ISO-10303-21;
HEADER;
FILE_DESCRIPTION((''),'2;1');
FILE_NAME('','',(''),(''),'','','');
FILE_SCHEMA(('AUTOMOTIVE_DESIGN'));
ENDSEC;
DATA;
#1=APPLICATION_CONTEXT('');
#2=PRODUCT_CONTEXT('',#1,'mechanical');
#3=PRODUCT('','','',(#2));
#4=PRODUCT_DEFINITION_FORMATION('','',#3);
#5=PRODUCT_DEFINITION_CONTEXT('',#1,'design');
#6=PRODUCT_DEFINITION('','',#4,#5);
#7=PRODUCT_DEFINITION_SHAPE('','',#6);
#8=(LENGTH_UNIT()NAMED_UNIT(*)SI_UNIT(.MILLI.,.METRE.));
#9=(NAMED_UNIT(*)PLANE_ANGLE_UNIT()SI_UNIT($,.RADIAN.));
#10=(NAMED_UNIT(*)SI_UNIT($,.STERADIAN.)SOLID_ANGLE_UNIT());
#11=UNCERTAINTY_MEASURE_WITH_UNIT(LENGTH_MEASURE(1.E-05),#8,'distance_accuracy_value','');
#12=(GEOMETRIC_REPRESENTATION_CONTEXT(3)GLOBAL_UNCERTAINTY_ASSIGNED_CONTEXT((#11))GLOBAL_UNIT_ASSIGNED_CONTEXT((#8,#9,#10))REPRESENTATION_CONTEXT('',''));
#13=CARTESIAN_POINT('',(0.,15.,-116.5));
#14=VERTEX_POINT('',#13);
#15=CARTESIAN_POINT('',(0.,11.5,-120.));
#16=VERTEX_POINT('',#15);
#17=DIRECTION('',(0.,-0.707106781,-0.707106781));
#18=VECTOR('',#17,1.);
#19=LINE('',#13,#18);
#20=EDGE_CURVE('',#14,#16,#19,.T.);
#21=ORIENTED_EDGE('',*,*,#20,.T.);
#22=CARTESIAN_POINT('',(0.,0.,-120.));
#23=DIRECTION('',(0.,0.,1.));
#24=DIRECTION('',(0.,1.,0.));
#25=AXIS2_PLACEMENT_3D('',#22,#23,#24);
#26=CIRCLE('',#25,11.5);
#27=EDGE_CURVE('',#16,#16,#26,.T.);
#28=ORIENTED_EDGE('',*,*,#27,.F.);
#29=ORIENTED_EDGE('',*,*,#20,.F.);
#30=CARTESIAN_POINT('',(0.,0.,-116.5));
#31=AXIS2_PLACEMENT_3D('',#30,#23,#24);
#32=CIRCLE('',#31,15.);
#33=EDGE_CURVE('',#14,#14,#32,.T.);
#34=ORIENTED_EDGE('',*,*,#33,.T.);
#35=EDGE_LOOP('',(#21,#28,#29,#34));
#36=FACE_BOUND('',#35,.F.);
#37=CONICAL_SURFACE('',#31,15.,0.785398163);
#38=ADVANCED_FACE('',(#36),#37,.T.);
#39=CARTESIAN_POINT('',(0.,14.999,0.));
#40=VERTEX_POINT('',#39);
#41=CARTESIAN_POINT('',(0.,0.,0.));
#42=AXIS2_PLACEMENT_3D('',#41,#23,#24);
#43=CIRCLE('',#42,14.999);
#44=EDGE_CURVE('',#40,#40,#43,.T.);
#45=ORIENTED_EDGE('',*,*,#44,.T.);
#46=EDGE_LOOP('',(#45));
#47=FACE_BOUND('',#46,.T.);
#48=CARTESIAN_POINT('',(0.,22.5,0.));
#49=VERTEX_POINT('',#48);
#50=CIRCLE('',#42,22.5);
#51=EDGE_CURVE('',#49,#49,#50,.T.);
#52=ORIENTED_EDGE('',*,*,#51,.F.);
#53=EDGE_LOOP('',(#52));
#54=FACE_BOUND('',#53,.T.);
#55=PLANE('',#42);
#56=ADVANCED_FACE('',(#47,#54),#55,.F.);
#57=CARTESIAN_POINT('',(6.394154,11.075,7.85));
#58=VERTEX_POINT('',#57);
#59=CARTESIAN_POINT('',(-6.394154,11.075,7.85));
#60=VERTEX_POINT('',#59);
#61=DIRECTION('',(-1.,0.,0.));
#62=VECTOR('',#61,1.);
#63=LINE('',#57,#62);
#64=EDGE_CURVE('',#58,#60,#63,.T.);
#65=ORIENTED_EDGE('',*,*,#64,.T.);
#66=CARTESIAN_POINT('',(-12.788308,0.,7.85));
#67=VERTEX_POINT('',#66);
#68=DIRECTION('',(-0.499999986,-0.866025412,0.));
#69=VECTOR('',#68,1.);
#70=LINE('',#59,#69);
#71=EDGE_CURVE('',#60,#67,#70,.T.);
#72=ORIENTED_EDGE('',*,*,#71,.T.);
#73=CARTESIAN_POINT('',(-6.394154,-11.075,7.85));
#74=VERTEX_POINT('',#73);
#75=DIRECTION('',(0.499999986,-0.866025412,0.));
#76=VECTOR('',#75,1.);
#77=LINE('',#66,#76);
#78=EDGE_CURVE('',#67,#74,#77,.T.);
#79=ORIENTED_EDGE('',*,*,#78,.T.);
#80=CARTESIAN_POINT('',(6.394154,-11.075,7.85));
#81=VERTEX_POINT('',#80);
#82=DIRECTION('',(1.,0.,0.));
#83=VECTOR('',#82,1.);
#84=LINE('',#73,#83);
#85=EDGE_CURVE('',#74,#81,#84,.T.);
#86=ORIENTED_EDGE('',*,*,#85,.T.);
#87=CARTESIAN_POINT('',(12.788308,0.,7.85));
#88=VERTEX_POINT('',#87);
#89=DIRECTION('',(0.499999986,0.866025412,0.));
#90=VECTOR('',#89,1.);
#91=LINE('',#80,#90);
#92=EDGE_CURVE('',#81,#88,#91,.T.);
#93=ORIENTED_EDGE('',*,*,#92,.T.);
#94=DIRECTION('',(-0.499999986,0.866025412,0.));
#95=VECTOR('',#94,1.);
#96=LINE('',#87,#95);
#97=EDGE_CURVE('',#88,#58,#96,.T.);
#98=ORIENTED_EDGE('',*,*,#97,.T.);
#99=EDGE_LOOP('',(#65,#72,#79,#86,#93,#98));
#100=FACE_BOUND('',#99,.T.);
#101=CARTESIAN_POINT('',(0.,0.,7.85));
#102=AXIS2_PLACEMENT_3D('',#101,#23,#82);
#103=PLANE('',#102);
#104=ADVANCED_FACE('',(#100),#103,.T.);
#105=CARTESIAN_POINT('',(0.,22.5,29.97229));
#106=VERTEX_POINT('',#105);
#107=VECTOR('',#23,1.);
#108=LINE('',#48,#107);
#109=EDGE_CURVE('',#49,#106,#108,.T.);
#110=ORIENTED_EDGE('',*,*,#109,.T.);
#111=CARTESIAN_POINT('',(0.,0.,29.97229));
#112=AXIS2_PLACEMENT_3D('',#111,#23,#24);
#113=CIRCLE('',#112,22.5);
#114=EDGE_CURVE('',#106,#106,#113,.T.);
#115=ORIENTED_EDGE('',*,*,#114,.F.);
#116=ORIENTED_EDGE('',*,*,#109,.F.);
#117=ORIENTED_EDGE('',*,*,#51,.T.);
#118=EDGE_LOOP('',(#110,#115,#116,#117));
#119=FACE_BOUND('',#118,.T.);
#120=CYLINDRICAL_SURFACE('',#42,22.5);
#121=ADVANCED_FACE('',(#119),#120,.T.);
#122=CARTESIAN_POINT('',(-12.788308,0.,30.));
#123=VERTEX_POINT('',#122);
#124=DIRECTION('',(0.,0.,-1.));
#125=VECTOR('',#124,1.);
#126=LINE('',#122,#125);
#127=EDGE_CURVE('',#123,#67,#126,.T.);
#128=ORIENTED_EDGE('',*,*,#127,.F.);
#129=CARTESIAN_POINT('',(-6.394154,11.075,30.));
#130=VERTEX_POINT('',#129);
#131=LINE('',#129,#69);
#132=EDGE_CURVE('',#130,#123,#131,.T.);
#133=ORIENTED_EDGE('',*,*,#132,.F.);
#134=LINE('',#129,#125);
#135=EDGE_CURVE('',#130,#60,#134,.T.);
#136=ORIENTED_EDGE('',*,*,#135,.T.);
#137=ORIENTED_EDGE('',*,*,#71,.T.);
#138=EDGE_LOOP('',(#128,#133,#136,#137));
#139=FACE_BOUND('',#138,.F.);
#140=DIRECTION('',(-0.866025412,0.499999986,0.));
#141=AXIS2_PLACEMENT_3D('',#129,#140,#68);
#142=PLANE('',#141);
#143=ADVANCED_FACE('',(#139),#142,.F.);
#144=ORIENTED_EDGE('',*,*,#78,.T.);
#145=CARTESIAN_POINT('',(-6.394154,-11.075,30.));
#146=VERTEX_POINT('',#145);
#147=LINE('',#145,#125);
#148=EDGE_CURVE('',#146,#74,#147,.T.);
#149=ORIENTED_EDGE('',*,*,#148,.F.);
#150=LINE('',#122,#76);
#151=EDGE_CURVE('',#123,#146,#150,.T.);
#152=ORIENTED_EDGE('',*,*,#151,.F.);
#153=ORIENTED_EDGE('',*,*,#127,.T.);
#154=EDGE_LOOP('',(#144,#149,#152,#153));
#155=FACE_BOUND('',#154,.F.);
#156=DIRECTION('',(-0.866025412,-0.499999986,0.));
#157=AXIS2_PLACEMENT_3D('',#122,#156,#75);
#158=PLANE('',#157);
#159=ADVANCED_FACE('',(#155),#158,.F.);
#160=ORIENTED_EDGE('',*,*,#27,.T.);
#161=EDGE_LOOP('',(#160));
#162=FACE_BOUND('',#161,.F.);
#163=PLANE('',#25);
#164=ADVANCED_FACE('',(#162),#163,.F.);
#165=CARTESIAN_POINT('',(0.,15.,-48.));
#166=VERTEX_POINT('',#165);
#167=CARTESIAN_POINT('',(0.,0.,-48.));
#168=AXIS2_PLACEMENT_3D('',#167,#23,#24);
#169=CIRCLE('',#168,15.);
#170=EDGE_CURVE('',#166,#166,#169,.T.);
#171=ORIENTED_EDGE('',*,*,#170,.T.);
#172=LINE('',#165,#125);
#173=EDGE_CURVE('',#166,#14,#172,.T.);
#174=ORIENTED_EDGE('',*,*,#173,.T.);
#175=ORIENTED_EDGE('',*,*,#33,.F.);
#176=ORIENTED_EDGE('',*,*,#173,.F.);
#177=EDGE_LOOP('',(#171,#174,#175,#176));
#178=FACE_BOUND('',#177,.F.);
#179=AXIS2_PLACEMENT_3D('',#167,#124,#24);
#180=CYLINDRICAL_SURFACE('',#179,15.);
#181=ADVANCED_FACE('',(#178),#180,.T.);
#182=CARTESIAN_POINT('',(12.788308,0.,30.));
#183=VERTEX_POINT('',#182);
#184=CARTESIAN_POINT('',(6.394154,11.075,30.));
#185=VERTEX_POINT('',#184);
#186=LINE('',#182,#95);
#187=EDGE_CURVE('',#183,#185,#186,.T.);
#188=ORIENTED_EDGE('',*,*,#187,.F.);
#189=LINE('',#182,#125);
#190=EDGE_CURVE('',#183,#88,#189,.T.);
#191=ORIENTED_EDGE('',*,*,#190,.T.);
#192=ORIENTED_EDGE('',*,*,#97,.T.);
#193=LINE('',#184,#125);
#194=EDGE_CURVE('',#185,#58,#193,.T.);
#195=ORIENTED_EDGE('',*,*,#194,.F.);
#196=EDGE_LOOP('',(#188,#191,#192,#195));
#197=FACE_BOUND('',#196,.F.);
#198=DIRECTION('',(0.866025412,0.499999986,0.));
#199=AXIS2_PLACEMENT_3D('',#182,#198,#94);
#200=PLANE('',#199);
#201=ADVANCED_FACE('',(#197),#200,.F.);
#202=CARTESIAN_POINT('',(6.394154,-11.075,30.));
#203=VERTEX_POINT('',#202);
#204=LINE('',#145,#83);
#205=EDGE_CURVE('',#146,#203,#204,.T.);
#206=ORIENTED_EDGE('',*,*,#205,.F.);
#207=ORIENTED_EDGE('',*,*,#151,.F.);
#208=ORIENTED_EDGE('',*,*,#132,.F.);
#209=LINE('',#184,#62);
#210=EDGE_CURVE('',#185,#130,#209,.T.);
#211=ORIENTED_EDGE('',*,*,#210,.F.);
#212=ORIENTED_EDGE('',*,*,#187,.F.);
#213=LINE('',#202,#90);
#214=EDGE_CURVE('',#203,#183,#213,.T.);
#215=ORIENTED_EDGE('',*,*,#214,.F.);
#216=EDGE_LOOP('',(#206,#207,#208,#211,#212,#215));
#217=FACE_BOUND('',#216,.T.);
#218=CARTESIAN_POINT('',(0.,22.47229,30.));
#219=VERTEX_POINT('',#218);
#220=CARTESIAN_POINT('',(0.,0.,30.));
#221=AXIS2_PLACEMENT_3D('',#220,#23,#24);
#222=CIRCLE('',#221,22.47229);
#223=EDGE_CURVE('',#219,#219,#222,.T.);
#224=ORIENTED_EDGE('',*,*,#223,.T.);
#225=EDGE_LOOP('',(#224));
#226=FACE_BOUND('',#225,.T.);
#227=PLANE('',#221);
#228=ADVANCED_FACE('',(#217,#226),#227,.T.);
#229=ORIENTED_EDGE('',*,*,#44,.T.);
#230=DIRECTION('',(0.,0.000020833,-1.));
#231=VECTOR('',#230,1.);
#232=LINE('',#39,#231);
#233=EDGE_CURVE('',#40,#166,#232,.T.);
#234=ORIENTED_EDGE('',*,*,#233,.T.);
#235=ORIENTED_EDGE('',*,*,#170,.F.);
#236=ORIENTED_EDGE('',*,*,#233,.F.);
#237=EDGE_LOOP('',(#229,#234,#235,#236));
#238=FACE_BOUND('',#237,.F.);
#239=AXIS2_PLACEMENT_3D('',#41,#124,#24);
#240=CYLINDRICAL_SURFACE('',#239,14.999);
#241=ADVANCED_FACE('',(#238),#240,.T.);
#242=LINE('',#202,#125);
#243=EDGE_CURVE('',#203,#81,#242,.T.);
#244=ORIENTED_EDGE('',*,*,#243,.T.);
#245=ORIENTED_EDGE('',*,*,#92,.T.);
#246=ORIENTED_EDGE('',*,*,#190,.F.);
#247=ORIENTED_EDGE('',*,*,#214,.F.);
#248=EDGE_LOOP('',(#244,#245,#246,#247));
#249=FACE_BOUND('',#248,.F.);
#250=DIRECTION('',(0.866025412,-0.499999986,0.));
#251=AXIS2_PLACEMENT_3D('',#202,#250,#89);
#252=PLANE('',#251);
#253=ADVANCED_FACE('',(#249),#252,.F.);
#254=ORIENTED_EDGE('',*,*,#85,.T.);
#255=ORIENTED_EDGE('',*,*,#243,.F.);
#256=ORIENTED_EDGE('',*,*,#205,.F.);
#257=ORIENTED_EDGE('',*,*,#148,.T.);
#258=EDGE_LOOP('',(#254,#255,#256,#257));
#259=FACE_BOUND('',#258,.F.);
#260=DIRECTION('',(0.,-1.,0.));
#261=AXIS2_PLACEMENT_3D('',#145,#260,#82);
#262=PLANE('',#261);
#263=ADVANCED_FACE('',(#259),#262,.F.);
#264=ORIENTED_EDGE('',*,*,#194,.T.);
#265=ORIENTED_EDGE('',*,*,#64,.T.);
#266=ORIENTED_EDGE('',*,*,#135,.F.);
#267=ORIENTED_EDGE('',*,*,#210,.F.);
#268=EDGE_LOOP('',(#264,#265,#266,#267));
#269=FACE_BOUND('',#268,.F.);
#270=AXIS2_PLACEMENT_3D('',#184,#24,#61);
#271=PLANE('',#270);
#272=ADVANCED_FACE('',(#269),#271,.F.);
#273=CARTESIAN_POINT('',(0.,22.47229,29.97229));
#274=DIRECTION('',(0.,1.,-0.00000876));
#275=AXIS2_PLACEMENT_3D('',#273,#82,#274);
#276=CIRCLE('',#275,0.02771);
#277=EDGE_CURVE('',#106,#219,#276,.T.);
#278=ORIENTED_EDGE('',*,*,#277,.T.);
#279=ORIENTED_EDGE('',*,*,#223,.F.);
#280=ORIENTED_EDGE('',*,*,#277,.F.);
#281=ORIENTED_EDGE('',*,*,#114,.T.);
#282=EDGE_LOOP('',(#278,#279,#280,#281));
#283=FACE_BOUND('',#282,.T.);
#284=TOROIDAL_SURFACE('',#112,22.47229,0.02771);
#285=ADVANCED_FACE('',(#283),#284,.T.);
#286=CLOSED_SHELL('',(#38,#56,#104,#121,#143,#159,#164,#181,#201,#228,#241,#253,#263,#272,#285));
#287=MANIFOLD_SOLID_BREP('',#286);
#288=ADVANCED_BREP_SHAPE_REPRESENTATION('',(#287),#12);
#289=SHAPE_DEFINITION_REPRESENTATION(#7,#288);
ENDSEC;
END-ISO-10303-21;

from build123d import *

# Parameters (mm, degrees)
POCKET_DEPTH = 22.15


with BuildPart() as part:
    # Sketch → Revolve (revolve)
    with BuildSketch(Plane.YZ):
        with BuildLine():
            Line((14.999, 0), (22.5, 0))
            Line((22.5, 0), (22.5, 29.97229))
            ThreePointArc((22.5, 29.97229), (22.491884, 29.991884), (22.47229, 30))
            Line((22.47229, 30), (0, 30))
            Line((0, -120), (0, 30))
            Line((11.5, -120), (0, -120))
            Line((15, -116.5), (11.5, -120))
            Line((15, -48), (15, -116.5))
            Line((14.999, 0), (15, -48))
        make_face()
    revolve(axis=Axis((0, 0, 0), (0, 0, 1)))

    # Sketch001 → Pocket (cut)
    with BuildSketch(Plane.XY.offset(30)):
        Polygon((12.788308, 0), (6.394154, 11.075), (-6.394154, 11.075), (-12.788308, 0), (-6.394154, -11.075), (6.394154, -11.075), align=None)
    extrude(amount=-POCKET_DEPTH, mode=Mode.SUBTRACT)


solid = part.part
